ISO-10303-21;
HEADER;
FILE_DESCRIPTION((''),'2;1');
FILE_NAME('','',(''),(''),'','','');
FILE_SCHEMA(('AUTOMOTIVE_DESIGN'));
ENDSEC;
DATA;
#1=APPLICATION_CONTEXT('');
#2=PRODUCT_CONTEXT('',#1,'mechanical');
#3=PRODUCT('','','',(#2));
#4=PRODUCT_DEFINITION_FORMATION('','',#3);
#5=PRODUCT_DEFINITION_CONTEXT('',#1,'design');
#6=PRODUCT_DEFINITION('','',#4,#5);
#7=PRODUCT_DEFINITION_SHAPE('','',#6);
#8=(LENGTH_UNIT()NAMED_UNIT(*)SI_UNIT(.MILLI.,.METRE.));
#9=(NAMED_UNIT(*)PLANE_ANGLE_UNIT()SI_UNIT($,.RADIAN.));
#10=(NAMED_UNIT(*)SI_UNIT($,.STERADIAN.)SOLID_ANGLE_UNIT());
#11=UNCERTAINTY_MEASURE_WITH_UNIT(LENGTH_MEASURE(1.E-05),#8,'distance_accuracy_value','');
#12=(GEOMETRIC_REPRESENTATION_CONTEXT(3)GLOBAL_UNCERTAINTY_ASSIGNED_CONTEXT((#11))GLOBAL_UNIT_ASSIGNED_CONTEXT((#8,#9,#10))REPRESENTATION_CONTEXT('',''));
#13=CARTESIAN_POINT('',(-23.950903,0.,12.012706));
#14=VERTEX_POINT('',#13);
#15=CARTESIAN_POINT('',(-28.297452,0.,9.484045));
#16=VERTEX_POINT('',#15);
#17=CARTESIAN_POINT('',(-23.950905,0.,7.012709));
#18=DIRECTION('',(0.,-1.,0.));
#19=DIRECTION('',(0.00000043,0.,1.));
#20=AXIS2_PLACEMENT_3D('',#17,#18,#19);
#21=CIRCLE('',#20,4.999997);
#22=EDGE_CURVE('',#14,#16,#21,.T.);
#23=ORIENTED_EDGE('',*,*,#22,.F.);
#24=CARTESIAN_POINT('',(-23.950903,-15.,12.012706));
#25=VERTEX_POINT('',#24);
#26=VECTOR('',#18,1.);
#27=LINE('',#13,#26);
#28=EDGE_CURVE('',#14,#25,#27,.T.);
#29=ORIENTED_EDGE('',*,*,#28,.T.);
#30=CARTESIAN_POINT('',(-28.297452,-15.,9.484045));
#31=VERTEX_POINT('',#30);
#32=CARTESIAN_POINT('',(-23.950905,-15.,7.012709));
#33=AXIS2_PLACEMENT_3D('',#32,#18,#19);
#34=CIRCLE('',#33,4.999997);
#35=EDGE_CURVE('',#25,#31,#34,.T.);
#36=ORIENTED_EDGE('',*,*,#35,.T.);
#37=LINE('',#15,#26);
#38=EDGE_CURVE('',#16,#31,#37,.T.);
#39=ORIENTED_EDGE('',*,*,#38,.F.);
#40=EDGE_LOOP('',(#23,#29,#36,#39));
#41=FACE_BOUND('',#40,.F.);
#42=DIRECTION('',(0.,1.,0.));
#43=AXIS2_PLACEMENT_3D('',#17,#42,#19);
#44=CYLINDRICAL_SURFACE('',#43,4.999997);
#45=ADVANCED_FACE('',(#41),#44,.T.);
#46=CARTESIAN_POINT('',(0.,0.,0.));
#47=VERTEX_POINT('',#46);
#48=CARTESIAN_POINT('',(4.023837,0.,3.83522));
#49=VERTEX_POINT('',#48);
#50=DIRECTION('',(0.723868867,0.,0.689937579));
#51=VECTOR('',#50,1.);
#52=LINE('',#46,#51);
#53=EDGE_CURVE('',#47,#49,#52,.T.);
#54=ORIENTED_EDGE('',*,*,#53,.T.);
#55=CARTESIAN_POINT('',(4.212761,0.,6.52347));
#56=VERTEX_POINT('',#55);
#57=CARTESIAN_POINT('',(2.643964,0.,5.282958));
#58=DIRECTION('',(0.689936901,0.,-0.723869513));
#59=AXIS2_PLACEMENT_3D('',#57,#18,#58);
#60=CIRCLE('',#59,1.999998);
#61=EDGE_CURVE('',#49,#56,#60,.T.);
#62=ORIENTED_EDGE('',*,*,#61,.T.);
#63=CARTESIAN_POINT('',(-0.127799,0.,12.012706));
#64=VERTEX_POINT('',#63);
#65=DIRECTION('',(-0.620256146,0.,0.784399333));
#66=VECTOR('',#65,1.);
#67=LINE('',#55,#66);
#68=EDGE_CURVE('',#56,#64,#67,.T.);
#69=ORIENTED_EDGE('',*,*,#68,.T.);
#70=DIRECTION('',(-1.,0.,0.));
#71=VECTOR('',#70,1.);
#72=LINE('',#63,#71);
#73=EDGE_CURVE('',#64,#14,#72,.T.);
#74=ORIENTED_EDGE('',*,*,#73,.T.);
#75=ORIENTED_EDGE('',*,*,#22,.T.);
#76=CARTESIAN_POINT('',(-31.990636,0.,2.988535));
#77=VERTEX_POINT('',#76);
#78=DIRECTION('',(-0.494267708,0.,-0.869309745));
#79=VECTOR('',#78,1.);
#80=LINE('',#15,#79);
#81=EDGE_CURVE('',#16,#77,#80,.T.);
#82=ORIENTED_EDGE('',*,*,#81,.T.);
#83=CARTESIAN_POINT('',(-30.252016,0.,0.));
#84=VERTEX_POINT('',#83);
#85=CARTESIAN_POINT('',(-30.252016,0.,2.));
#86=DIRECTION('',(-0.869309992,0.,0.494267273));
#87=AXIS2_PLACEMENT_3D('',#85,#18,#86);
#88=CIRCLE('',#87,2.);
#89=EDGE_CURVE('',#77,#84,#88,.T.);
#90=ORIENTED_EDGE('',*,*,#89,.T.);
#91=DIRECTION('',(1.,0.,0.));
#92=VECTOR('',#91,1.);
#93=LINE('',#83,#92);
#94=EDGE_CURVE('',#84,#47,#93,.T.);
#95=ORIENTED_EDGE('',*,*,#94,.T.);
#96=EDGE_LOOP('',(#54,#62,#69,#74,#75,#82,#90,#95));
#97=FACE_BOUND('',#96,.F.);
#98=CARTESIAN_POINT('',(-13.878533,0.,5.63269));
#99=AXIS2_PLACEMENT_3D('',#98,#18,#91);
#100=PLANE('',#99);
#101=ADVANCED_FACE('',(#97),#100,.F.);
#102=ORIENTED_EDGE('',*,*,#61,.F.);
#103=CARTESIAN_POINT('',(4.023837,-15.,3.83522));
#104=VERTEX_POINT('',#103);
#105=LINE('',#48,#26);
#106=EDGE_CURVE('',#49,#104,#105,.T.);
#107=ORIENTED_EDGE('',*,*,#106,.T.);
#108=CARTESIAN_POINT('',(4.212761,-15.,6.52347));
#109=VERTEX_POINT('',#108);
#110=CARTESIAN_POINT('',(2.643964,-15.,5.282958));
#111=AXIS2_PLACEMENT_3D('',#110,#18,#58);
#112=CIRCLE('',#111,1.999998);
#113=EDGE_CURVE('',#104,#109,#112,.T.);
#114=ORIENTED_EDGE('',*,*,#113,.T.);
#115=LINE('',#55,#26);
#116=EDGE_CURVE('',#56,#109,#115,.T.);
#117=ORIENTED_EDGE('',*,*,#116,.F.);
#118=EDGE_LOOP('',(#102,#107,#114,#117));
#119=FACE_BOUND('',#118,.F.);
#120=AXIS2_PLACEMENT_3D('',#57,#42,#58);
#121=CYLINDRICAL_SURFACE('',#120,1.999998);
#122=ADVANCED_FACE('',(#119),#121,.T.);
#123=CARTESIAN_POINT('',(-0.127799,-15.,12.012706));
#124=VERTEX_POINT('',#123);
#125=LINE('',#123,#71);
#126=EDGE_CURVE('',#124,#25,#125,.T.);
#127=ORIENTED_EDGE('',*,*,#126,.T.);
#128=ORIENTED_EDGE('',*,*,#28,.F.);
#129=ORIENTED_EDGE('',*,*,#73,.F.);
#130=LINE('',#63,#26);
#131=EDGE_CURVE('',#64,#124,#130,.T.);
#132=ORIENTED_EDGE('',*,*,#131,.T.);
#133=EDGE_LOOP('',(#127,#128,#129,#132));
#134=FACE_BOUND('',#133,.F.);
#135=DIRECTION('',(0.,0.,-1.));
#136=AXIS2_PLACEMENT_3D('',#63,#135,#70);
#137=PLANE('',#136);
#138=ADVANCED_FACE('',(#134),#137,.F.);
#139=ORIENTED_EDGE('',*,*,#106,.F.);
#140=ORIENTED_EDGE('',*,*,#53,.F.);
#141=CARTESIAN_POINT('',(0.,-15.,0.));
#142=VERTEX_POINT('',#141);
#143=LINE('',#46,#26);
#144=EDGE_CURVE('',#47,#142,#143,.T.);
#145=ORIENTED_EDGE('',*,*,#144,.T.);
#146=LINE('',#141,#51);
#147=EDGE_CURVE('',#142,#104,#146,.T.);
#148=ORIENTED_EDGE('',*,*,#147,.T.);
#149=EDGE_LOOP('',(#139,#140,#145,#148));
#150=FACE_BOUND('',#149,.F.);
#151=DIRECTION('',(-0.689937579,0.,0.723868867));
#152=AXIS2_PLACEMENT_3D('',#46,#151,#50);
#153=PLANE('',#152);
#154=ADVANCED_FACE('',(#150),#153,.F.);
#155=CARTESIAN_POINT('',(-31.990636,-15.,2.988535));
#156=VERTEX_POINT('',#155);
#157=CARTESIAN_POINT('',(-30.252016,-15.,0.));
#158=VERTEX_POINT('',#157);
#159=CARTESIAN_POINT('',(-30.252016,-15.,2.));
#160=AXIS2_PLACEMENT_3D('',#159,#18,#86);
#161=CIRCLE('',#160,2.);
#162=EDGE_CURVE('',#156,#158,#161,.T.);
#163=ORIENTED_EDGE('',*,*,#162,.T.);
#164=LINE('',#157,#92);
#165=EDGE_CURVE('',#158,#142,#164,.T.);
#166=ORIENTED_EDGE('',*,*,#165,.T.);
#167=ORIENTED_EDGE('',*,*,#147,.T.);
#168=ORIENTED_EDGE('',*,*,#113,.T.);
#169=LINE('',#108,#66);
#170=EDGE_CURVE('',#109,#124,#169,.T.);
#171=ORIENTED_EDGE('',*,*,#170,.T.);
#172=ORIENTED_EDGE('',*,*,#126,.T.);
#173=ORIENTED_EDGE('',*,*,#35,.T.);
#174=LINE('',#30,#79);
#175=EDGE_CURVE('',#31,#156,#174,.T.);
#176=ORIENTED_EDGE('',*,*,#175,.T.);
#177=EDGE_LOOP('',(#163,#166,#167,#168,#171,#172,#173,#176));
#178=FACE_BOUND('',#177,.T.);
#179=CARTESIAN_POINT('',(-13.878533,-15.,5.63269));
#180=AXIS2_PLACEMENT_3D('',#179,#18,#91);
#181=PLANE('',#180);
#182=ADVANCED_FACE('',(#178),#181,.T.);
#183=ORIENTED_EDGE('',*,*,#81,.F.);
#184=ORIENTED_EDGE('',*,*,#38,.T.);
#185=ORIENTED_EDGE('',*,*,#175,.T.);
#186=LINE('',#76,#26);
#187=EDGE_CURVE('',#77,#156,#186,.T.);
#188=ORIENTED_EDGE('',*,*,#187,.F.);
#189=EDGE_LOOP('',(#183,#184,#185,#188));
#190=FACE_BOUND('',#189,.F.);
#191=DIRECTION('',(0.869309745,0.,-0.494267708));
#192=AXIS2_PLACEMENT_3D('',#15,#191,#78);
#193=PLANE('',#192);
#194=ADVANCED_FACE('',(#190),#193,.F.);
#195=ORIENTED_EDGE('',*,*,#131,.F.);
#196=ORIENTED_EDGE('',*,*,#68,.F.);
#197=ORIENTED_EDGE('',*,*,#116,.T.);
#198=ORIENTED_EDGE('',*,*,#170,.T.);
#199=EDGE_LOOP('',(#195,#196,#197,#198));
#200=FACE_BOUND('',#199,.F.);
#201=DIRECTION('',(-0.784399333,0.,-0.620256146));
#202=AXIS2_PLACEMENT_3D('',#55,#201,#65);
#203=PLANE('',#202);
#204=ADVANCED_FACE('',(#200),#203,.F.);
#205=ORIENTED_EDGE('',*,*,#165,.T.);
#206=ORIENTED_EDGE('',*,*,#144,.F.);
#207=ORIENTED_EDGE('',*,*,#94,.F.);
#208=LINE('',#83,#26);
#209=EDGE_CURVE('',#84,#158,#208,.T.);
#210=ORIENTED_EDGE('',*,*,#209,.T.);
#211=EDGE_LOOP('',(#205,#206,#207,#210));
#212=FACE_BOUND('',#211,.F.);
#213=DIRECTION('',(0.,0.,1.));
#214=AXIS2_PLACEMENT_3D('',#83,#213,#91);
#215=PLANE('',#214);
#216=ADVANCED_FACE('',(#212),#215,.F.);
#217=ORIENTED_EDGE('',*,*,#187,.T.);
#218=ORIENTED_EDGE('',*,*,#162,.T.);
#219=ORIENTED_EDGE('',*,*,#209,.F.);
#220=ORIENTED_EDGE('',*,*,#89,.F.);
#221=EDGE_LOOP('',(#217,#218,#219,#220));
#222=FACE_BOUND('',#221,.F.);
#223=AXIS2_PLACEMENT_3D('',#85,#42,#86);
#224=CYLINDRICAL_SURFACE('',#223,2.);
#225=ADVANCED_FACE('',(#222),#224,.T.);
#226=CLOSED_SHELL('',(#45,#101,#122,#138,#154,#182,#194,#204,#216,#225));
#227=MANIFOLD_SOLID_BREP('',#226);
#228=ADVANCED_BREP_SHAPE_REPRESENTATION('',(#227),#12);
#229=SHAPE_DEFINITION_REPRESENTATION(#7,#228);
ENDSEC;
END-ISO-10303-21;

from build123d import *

# Parameters (mm, degrees)
F1_DEPTH = 15


with BuildPart() as f1:
    # F0 (on Front) → F1 (new body)
    with BuildSketch(Plane.XZ):
        with BuildLine():
            ThreePointArc((-31.990636, 2.988535), (-31.980754, 0.994284), (-30.252016, 0))
            Line((-30.252016, 0), (0, 0))
            Line((0, 0), (4.023837, 3.83522))
            ThreePointArc((4.023837, 3.83522), (4.639042, 5.142749), (4.212761, 6.52347))
            Line((4.212761, 6.52347), (-0.127799, 12.012706))
            Line((-0.127799, 12.012706), (-13.884482, 12.012706))
            Line((-13.884482, 12.012706), (-23.950903, 12.012706))
            ThreePointArc((-23.950903, 12.012706), (-26.465193, 11.334552), (-28.297452, 9.484045))
            Line((-28.297452, 9.484045), (-31.990636, 2.988535))
        make_face()
    extrude(amount=F1_DEPTH)


solid = f1.part
